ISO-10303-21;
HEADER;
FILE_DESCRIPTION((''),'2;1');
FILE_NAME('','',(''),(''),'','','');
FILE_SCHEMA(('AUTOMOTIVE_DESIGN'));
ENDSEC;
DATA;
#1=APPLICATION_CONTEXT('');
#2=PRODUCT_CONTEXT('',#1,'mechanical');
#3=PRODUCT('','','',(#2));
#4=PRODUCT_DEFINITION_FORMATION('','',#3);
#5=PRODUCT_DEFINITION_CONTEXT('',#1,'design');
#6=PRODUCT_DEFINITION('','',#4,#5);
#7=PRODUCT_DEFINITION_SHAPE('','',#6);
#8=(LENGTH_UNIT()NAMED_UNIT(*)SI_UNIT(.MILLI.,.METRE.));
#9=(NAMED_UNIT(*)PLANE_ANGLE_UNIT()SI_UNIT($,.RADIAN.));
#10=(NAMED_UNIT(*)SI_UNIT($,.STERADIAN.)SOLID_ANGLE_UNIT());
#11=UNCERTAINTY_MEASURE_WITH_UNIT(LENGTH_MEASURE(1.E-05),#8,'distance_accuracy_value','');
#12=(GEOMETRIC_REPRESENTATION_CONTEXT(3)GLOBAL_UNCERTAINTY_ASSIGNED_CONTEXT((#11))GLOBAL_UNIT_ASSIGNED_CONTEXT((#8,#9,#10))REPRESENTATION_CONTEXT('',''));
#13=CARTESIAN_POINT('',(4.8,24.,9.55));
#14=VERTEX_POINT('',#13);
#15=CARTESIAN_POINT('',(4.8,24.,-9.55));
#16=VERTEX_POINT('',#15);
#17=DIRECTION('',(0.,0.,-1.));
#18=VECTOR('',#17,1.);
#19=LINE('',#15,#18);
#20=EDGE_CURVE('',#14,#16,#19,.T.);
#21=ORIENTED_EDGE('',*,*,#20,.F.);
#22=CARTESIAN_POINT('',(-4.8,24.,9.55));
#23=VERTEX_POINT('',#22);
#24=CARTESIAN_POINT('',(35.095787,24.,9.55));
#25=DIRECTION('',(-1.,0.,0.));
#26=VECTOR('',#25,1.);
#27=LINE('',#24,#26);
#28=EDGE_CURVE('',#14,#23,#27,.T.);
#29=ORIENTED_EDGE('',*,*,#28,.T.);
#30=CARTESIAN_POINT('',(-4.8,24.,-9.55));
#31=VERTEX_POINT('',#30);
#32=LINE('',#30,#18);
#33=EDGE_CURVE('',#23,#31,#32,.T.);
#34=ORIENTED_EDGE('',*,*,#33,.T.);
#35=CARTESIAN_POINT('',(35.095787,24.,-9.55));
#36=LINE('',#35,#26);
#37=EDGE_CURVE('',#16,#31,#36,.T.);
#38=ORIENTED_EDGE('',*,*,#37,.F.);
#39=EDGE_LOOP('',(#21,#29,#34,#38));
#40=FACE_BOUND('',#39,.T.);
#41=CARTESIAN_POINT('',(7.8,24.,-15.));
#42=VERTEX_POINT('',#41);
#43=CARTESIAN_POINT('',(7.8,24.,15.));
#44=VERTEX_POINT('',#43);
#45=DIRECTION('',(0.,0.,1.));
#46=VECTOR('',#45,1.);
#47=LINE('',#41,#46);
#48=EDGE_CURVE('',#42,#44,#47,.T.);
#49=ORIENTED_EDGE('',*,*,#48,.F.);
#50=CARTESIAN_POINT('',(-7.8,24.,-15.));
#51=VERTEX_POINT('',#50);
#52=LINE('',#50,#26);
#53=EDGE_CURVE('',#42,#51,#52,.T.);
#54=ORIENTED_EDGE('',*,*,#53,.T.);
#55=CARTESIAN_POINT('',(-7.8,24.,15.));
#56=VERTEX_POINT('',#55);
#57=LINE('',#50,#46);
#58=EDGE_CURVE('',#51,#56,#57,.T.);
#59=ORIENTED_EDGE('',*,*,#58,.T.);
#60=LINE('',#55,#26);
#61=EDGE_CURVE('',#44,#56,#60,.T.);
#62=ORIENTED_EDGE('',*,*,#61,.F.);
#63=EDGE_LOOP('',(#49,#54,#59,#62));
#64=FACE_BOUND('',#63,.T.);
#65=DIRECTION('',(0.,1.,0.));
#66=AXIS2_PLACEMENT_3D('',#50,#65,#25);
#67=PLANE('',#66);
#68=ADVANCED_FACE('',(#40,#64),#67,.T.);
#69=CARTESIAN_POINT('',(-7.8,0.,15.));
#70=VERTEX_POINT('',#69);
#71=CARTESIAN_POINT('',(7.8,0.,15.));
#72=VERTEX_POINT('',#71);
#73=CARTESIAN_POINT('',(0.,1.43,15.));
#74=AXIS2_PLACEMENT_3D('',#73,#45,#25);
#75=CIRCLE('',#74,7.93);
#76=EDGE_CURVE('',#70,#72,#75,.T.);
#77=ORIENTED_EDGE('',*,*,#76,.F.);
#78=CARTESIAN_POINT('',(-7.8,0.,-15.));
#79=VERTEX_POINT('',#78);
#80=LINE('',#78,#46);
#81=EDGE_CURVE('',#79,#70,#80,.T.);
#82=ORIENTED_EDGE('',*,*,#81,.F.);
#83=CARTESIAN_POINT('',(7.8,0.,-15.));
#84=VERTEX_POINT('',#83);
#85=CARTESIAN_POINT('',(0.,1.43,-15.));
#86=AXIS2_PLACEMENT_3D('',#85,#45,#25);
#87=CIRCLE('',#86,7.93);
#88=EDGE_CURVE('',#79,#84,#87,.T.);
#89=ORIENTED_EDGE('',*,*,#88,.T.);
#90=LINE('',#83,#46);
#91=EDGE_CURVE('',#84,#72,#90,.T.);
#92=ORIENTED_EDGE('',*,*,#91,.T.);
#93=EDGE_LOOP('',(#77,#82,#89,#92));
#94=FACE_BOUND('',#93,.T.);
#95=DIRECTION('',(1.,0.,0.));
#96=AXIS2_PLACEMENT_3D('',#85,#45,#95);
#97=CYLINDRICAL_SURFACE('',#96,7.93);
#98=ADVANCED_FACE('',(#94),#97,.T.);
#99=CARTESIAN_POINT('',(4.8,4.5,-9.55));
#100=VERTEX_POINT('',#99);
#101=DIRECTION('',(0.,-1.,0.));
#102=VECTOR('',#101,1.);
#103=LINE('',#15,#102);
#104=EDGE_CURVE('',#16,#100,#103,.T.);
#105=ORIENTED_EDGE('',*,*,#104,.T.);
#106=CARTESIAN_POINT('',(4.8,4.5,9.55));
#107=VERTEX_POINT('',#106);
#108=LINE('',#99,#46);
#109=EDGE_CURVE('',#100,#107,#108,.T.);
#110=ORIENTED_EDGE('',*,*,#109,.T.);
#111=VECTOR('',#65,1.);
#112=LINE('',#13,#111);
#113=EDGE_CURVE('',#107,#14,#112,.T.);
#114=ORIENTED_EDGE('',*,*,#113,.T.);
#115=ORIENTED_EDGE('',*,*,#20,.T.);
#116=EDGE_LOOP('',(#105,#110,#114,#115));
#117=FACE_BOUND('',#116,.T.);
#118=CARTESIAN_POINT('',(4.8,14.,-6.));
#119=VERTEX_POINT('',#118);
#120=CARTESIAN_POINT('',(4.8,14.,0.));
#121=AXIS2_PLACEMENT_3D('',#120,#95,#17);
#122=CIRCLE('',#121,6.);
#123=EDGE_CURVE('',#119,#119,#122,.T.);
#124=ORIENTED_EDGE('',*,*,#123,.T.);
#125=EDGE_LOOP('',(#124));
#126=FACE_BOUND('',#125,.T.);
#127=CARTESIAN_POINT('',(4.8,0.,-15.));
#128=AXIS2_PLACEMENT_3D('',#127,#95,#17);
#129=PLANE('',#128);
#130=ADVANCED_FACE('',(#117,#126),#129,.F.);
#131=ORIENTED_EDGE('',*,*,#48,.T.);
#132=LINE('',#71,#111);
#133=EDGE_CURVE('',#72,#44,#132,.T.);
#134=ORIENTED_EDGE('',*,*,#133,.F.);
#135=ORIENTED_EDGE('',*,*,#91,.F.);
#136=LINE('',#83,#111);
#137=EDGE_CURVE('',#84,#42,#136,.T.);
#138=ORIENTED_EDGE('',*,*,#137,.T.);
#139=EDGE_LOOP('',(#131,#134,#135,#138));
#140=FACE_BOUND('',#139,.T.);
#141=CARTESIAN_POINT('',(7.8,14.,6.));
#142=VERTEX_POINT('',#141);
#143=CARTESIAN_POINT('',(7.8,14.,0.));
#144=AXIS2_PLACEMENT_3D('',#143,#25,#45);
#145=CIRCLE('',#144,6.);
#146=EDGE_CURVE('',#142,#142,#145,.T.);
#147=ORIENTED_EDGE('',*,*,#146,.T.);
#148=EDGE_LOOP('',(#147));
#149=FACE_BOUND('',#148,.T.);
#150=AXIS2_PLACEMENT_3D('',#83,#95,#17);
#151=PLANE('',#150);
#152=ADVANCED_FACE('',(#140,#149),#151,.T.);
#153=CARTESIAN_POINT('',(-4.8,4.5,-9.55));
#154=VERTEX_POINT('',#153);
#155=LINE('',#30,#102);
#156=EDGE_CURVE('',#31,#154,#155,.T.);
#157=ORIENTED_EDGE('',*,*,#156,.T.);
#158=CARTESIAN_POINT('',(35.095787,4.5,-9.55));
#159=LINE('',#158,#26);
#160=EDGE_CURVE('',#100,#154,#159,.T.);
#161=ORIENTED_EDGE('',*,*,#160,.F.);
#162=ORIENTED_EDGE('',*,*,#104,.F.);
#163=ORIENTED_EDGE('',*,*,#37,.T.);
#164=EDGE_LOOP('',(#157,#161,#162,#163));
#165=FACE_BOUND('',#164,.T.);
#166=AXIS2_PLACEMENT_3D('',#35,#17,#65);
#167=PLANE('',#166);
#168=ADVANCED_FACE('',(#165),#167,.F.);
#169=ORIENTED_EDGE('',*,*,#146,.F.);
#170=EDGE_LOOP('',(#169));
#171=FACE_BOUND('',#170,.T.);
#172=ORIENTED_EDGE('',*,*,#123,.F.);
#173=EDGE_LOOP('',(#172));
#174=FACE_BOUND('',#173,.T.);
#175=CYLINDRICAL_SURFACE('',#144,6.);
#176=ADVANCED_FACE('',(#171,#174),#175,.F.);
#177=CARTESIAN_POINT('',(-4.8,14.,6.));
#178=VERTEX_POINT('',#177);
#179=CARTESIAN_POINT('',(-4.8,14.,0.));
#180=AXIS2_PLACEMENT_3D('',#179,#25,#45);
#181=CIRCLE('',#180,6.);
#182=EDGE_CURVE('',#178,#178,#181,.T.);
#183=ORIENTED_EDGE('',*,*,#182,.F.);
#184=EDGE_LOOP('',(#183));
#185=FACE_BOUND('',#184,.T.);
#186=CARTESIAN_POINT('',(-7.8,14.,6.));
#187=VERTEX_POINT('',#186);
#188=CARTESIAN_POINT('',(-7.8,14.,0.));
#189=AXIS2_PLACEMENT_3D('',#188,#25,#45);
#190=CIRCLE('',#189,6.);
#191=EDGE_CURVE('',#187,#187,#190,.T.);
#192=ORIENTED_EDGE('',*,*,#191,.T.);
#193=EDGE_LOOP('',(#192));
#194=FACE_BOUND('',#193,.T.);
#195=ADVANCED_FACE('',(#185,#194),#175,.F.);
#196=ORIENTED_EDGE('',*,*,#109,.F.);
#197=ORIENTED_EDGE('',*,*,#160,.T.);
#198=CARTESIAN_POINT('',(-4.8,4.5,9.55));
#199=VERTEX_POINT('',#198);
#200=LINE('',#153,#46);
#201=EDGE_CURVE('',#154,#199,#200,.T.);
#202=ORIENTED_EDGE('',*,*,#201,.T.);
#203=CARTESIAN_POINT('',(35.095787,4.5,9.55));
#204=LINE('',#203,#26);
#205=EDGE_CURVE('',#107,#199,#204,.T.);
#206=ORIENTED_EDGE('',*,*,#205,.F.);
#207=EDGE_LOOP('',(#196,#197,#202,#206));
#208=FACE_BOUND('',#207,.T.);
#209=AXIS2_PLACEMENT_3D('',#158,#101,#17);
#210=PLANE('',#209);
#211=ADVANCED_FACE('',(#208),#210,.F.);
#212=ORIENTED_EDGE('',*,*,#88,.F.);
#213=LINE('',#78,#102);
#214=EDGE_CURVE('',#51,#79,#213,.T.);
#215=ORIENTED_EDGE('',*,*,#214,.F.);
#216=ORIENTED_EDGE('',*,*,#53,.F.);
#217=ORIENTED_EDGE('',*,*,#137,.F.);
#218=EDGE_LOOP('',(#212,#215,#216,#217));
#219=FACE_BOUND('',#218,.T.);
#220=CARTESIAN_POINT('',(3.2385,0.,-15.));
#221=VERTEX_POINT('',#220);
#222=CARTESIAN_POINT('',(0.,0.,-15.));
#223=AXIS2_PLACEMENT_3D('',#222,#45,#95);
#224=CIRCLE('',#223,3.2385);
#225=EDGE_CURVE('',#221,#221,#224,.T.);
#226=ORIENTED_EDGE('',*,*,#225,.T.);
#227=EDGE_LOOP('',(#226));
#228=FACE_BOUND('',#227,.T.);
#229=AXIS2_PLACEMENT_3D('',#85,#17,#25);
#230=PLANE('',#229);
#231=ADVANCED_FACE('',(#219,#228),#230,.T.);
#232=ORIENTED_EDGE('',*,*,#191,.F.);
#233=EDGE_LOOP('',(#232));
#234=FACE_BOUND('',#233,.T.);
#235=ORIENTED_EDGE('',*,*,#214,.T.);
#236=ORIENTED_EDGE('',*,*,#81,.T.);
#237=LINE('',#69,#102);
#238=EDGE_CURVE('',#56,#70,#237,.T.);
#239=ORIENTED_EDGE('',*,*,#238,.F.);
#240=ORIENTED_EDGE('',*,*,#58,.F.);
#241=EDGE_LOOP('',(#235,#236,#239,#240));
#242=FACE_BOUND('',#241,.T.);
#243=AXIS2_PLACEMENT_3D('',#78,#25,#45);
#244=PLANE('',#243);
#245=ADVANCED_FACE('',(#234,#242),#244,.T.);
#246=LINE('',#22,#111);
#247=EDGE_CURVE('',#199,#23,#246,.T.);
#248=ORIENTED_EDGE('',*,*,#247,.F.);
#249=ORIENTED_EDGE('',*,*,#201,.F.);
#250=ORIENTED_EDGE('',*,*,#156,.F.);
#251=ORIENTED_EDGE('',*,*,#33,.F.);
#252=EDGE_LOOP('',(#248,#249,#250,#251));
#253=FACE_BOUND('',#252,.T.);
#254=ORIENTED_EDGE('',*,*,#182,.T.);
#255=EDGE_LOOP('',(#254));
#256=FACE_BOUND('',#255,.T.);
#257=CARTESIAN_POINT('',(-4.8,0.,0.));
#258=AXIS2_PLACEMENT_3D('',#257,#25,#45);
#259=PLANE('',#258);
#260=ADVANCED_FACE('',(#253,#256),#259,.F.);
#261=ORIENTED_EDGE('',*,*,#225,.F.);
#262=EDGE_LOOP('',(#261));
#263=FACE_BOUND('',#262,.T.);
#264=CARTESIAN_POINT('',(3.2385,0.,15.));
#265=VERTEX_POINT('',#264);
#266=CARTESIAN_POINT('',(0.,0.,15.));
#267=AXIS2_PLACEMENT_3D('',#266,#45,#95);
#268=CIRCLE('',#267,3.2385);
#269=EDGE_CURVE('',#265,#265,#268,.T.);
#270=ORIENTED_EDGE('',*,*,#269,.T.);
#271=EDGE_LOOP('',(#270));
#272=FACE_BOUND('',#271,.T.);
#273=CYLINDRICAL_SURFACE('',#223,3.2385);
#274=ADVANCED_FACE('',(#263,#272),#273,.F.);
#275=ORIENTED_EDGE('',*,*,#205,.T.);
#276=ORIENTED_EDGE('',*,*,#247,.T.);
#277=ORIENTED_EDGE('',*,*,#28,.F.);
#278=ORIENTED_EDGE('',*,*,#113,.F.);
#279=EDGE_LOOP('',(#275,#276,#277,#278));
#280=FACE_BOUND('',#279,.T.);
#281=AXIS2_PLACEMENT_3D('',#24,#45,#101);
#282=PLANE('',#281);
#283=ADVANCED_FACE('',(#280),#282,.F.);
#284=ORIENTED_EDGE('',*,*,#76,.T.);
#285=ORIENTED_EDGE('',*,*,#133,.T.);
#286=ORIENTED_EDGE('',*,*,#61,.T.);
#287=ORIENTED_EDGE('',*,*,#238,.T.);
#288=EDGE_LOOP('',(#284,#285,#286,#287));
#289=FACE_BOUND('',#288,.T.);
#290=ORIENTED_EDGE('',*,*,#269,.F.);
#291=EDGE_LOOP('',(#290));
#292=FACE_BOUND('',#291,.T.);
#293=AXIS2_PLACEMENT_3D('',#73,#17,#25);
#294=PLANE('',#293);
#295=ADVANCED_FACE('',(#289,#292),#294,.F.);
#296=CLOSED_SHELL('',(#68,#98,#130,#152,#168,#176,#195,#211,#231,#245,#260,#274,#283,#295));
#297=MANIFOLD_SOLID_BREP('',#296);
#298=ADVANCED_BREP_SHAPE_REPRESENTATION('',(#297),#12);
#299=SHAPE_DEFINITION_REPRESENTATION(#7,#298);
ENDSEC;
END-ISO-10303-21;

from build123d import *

# Parameters (mm, degrees)
BOSS_EXTRUDE1_DEPTH      = 15
BOSS_EXTRUDE1_DEPTH_BACK = 15
SKETCH1_R                = 3.2385
CUT_EXTRUDE1_START       = -3
SKETCH2_W                = 19.1
SKETCH2_H                = 19.5
CUT_EXTRUDE1_DEPTH       = 9.6
CUT_EXTRUDE2_DEPTH       = 33.316559223
CUT_EXTRUDE2_DEPTH_BACK  = 33.316559223
SKETCH3_R                = 6


with BuildPart() as part:
    # Sketch1 → Boss-Extrude1 (new, two sides: drawn at the far end of the back side and taken through both)
    with BuildSketch(Plane.XY.offset(-BOSS_EXTRUDE1_DEPTH_BACK)):
        with BuildLine():
            Line((-7.8, 0), (-7.8, 24))
            Line((-7.8, 24), (7.8, 24))
            Line((7.8, 24), (7.8, 0))
            ThreePointArc((7.8, 0), (0, -6.5), (-7.8, 0))
        make_face()
        Circle(SKETCH1_R, mode=Mode.SUBTRACT)
    extrude(amount=BOSS_EXTRUDE1_DEPTH + BOSS_EXTRUDE1_DEPTH_BACK)

    # Sketch2 → Cut-Extrude1 (cut)
    with BuildSketch(Plane.ZY.offset(7.8).offset(CUT_EXTRUDE1_START)):
        with Locations((0, 14.25)):
            Rectangle(SKETCH2_W, SKETCH2_H)
    extrude(amount=-CUT_EXTRUDE1_DEPTH, mode=Mode.SUBTRACT)

    # Sketch3 → Cut-Extrude2 (cut, two sides: drawn at the far end of the back side and taken through both)
    with BuildSketch(Plane.ZY.offset(7.8).offset(-CUT_EXTRUDE2_DEPTH_BACK)):
        with Locations((0, 14)):
            Circle(SKETCH3_R)
    extrude(amount=CUT_EXTRUDE2_DEPTH + CUT_EXTRUDE2_DEPTH_BACK, mode=Mode.SUBTRACT)


solid = part.part
